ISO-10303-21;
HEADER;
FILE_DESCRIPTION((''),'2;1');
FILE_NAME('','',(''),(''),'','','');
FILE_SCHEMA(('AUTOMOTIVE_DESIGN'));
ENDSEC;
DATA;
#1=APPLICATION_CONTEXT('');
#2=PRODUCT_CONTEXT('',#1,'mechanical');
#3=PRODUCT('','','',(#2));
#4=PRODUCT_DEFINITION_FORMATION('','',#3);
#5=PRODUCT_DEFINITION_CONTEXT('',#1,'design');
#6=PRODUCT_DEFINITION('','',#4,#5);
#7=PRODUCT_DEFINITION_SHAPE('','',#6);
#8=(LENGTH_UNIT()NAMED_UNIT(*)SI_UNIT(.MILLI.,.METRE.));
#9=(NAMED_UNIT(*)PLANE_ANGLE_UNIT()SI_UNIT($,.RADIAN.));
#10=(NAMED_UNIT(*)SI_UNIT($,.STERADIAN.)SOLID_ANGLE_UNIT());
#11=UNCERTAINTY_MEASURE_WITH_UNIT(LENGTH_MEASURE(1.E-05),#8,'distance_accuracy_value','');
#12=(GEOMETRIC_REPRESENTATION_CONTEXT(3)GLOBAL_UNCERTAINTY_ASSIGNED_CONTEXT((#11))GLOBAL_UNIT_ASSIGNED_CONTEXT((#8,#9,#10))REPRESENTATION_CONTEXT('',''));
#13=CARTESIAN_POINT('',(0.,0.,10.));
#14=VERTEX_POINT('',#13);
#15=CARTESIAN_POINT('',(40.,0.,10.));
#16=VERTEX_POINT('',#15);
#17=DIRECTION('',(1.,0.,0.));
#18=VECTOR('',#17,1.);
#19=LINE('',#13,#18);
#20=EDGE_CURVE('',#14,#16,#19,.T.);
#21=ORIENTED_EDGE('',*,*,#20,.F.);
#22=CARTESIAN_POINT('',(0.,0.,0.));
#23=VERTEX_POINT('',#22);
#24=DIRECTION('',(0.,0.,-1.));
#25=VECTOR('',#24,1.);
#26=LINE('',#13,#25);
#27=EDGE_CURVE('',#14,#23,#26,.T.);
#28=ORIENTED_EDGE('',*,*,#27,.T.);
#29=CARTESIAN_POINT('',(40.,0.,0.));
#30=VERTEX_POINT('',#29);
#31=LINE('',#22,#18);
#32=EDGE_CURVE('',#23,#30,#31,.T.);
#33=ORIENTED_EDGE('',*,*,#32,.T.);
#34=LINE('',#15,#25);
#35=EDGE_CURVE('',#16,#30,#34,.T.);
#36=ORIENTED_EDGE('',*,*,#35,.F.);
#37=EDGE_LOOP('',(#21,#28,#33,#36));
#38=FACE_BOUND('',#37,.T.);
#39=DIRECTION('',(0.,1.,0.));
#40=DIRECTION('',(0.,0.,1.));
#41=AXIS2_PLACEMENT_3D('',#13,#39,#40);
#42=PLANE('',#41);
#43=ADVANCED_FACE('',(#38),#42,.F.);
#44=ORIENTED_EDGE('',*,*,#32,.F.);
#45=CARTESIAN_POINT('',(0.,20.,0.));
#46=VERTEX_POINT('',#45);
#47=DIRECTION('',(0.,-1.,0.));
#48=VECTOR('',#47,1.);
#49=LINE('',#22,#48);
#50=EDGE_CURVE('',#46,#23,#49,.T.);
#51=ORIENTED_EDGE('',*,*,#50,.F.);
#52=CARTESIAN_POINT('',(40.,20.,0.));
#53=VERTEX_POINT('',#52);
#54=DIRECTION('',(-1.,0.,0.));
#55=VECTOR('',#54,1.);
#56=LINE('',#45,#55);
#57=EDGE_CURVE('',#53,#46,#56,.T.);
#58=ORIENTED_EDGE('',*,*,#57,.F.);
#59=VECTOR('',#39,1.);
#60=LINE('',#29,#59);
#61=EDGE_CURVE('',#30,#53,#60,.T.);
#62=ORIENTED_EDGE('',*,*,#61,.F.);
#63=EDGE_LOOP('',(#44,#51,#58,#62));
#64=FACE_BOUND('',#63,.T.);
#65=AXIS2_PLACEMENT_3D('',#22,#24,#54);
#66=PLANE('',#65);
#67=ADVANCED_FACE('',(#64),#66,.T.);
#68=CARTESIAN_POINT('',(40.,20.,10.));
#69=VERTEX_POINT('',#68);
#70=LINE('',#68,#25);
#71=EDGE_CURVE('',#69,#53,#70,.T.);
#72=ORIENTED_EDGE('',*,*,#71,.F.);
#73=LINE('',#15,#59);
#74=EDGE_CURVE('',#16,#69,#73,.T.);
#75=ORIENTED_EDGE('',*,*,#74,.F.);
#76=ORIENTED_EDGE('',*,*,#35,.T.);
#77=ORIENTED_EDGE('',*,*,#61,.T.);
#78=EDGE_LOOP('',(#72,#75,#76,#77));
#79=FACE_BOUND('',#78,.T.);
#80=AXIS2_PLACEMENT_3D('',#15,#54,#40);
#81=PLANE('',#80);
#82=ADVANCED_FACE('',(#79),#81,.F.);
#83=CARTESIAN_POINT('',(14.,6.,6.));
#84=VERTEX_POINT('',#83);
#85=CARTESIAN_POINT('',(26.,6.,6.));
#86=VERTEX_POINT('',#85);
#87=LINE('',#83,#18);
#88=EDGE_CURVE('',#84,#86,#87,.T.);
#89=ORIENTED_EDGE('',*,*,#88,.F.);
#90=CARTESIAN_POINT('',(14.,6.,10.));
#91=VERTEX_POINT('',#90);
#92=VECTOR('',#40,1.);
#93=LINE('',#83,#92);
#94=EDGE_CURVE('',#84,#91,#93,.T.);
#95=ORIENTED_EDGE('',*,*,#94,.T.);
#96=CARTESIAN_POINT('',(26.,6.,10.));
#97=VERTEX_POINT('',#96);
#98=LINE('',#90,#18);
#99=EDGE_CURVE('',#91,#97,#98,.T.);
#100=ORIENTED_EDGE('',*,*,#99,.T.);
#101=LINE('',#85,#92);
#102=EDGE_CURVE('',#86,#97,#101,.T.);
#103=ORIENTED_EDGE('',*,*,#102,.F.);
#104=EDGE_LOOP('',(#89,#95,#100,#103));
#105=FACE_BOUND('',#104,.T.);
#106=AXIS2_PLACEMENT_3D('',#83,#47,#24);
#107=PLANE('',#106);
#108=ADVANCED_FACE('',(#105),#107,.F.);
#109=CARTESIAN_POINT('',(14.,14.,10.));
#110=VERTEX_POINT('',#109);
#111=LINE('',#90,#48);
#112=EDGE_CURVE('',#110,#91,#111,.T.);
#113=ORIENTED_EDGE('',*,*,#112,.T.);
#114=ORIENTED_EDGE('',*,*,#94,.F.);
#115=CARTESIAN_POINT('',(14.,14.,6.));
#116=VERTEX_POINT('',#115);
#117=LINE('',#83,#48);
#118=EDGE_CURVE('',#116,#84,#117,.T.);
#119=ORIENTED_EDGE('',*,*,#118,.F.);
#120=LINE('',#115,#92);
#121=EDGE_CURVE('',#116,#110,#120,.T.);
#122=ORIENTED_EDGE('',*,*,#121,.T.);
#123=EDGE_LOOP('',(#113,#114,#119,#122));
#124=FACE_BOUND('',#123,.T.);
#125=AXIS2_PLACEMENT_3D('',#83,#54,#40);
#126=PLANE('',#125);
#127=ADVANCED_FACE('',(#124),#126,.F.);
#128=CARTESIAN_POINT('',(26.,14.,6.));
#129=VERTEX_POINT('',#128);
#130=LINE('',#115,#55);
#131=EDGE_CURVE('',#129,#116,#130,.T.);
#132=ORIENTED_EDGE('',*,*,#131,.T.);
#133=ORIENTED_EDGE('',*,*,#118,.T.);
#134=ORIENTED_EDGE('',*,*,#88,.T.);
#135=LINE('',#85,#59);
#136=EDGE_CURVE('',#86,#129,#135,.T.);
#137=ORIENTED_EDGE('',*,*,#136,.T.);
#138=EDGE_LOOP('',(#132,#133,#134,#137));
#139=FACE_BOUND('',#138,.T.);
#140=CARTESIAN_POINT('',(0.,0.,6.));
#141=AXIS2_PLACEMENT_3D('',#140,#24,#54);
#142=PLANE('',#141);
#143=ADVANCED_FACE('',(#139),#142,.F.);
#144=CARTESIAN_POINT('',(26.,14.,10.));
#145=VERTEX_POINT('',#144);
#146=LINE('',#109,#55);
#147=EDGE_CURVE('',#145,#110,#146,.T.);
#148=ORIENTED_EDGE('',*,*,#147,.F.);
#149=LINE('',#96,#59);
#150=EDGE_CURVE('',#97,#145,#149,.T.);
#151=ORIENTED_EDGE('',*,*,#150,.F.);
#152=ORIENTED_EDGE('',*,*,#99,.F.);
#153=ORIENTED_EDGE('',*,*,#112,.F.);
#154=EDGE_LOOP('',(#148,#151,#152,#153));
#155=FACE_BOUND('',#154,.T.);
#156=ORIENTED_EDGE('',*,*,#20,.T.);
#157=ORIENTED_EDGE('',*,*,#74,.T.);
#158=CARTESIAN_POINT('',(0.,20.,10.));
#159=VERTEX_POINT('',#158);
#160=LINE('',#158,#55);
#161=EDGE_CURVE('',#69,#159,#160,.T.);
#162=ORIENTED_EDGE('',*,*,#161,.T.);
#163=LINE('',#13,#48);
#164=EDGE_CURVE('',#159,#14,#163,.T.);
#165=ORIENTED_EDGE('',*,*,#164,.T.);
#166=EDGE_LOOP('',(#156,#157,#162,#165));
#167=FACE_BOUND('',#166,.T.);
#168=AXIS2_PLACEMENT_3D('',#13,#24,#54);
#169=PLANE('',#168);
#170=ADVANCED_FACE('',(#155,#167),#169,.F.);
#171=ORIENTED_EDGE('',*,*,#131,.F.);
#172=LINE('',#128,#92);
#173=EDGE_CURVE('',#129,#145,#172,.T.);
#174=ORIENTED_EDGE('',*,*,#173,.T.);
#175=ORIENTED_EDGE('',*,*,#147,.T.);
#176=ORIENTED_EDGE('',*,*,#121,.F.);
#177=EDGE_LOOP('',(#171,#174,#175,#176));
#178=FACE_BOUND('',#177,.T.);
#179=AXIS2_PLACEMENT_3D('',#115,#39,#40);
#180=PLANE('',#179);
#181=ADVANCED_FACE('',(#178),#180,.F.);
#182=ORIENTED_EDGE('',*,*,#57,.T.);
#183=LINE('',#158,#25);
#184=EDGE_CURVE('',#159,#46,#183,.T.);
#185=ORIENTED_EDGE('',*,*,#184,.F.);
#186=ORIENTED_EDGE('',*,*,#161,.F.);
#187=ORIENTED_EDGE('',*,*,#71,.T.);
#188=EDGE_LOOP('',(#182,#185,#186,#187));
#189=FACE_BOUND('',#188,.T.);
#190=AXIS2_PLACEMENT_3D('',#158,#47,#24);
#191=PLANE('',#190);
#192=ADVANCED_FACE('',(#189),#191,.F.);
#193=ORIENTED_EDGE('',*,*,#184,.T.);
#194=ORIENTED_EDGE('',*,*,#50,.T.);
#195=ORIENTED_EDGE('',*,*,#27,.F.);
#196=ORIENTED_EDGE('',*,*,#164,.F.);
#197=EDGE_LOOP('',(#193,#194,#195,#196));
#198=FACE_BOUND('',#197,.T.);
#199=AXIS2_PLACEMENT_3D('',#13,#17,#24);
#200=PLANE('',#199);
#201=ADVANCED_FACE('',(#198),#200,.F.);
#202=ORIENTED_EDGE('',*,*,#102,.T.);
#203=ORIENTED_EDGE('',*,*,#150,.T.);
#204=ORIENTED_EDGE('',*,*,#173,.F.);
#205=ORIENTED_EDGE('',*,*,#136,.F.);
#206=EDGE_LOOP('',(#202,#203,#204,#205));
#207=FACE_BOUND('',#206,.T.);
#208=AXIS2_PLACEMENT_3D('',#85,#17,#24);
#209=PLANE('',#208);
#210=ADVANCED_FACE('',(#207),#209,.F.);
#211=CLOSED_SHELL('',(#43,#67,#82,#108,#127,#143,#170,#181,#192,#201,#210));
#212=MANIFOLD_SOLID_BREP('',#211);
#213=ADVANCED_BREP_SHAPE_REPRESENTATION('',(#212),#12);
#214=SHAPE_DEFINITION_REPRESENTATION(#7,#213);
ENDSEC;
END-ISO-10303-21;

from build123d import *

# Parameters (mm, degrees)
RECTANGLESKETCH_W = 40
RECTANGLESKETCH_H = 20
BLINDBOSS_DEPTH   = 10
CUTSKETCH_W       = 12
CUTSKETCH_H       = 8
BLINDCUT_DEPTH    = 4


with BuildPart() as part:
    # RectangleSketch → BlindBoss (new body)
    with BuildSketch(Plane.XY):
        with Locations((20, 10)):
            Rectangle(RECTANGLESKETCH_W, RECTANGLESKETCH_H)
    extrude(amount=BLINDBOSS_DEPTH)

    # CutSketch → BlindCut (cut)
    with BuildSketch(Plane.XY.offset(10)):
        with Locations((20, 10)):
            Rectangle(CUTSKETCH_W, CUTSKETCH_H)
    extrude(amount=-BLINDCUT_DEPTH, mode=Mode.SUBTRACT)


solid = part.part
